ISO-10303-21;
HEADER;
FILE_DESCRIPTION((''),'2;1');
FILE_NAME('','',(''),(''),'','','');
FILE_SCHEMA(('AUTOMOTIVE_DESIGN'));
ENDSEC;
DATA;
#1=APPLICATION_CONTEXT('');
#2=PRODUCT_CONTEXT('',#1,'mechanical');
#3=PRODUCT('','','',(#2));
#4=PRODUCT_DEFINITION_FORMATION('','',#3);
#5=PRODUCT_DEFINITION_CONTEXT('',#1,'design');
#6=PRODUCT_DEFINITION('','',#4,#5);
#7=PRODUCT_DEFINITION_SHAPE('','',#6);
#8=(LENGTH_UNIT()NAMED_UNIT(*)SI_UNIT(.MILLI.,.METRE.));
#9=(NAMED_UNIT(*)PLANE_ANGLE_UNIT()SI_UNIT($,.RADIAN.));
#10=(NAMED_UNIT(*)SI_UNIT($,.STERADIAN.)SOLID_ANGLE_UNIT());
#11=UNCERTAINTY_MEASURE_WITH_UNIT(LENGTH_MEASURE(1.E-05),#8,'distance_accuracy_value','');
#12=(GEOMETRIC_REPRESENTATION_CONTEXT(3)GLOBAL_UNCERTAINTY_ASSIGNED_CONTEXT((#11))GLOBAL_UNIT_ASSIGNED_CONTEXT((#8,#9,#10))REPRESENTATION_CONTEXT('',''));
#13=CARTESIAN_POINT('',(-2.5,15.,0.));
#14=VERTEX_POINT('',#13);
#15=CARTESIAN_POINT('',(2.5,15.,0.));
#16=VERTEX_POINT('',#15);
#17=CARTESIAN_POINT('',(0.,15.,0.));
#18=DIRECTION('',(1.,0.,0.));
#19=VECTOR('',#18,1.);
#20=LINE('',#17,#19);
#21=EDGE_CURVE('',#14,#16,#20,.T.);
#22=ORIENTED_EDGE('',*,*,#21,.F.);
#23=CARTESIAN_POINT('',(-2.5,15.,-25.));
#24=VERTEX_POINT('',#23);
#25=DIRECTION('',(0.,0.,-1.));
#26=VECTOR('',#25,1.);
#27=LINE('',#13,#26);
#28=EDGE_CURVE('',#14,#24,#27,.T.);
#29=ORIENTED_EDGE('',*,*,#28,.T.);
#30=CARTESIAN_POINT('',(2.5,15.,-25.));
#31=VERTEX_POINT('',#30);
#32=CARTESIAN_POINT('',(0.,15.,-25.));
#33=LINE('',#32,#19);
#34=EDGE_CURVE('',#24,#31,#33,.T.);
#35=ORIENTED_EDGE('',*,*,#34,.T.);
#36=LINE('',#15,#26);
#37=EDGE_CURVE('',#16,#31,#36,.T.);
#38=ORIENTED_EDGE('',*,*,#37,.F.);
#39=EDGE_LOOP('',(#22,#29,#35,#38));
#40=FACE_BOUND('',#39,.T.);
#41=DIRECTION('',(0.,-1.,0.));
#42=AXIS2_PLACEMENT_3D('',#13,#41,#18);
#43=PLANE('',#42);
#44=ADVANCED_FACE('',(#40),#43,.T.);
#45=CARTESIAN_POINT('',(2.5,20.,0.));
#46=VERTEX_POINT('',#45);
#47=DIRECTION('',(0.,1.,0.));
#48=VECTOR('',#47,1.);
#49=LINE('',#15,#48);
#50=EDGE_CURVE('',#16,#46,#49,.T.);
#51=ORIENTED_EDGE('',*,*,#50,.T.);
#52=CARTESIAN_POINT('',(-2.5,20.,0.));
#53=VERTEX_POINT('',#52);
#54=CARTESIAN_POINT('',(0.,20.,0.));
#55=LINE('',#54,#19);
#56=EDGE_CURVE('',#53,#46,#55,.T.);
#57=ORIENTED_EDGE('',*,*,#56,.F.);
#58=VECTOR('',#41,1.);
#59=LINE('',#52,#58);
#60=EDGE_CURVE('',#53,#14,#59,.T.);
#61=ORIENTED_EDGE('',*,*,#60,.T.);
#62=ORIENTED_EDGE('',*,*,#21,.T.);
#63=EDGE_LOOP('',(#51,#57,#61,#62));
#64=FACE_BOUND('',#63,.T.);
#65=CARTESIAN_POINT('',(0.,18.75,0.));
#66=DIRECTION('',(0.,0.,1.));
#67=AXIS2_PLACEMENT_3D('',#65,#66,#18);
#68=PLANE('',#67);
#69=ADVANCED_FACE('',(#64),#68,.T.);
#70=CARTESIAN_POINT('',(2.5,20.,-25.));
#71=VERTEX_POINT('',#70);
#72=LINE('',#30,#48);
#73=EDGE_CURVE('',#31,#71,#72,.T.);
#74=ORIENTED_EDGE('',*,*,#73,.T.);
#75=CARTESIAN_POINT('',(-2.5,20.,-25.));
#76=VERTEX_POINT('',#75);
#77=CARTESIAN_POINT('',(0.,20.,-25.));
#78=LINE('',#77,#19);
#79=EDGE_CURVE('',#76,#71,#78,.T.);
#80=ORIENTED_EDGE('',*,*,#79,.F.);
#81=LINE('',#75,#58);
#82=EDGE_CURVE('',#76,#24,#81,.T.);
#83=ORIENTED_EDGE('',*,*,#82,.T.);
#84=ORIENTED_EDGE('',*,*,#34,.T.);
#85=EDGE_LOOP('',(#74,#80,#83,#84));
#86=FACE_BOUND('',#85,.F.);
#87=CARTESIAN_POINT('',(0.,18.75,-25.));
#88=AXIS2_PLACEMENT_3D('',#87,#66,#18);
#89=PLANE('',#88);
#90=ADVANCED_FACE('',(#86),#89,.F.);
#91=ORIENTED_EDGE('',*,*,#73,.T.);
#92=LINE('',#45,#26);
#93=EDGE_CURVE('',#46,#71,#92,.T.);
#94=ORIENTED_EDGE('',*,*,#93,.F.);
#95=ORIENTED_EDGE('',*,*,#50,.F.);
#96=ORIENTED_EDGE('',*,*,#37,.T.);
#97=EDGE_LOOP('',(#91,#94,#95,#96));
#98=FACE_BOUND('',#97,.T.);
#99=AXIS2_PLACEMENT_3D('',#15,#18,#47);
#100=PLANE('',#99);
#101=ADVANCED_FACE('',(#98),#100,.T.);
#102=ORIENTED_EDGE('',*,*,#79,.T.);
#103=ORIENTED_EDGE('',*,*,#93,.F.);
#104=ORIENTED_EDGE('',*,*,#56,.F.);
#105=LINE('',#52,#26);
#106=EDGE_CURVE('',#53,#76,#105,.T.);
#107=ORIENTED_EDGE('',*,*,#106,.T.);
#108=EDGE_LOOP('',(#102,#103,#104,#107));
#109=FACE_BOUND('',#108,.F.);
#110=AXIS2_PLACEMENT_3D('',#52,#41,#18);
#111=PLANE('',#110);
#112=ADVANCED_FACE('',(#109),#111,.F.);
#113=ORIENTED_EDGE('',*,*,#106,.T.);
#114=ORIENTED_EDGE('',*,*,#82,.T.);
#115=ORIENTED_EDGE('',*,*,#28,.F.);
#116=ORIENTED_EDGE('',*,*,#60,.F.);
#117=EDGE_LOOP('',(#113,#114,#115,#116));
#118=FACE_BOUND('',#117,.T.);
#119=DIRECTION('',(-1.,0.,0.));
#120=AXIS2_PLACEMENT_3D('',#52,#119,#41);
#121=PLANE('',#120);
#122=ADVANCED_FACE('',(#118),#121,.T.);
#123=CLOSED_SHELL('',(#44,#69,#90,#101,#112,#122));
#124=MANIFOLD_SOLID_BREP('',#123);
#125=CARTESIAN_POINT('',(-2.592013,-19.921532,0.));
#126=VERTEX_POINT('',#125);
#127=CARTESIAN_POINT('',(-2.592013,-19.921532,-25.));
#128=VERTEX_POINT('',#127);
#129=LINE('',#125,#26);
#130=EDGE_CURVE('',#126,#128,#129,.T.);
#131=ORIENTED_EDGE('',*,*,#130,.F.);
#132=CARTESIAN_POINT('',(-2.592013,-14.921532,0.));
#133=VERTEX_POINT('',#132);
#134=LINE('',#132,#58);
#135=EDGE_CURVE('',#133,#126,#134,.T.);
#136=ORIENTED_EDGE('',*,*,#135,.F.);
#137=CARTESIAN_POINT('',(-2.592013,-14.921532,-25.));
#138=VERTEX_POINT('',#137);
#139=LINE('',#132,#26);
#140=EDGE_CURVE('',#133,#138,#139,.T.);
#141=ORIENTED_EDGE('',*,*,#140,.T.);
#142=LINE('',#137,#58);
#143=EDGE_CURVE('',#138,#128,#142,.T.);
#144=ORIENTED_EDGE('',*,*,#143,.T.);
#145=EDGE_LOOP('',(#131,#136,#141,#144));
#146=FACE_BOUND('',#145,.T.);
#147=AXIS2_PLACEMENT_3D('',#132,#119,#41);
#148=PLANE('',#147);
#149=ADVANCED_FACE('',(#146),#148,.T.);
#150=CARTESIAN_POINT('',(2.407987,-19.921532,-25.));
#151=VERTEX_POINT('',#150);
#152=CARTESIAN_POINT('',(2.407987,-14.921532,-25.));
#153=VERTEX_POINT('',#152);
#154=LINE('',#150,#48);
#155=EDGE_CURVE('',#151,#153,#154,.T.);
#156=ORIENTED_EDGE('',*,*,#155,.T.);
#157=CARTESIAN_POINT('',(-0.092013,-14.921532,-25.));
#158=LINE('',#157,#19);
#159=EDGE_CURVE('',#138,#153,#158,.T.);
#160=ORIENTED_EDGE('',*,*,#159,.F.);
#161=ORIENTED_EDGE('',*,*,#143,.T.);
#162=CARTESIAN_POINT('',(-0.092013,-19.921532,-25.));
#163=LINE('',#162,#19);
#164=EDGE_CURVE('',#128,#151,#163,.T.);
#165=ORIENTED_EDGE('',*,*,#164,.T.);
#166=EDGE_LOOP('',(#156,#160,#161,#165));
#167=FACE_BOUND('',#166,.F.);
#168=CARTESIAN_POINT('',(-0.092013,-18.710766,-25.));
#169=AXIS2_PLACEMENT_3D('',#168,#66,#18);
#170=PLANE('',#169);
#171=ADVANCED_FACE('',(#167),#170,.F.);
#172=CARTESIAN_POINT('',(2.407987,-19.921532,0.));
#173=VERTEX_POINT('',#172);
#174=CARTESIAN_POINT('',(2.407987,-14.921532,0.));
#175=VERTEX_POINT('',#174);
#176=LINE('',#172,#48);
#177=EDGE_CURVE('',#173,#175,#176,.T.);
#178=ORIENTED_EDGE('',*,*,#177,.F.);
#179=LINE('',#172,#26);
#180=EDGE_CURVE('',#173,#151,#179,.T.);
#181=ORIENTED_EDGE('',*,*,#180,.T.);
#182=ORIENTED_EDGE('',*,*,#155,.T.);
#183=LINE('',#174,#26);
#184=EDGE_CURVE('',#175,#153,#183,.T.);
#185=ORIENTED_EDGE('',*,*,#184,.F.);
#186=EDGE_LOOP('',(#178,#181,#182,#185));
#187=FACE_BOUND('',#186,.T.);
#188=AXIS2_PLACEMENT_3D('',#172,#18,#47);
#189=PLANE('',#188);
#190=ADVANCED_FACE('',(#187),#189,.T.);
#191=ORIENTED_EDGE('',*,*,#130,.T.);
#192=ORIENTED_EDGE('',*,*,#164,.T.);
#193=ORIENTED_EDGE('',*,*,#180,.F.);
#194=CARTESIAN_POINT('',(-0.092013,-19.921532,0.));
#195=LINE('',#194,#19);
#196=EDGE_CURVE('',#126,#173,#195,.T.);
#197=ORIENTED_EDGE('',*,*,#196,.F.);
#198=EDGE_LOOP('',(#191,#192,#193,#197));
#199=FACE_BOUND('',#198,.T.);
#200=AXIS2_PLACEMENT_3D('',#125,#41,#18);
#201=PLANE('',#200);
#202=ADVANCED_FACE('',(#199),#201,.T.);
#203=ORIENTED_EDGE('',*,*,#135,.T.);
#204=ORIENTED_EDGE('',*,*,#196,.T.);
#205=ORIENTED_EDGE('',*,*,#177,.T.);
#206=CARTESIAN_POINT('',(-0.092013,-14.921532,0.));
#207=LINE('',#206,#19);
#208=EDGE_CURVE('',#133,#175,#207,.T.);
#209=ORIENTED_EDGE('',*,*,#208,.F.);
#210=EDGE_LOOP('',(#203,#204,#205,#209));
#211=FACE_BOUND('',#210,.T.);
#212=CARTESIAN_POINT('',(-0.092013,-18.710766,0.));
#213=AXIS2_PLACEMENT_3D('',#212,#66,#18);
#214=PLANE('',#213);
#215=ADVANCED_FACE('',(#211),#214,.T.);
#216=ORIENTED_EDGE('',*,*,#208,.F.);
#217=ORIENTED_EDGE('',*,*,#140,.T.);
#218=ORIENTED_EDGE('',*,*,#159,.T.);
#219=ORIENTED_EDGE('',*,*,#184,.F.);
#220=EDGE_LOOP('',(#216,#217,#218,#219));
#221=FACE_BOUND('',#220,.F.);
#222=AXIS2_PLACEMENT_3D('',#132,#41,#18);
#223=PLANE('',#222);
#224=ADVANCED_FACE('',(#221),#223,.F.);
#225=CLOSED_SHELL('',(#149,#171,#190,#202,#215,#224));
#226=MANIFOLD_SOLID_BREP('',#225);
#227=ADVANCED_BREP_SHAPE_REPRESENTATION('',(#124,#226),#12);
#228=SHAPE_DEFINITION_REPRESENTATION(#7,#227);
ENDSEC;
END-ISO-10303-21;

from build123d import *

# Parameters (mm, degrees)
F0_W     = 5
F0_H     = 2.421532
F0_H_2   = 2.578468
F0_H_3   = 2.5
F1_DEPTH = 25


with BuildPart() as f1:
    # F0 (on Top) → F1 (new body)
    with BuildSketch(Plane.XY):
        with Locations((-0.092013, -18.710766)):
            Rectangle(F0_W, F0_H)
        with Locations((-0.092013, -16.210766)):
            Rectangle(F0_W, F0_H_2)
        with Locations((0, 18.75)):
            Rectangle(F0_W, F0_H_3)
        with Locations((0, 16.25)):
            Rectangle(F0_W, F0_H_3)
    extrude(amount=-F1_DEPTH)


solid = f1.part
